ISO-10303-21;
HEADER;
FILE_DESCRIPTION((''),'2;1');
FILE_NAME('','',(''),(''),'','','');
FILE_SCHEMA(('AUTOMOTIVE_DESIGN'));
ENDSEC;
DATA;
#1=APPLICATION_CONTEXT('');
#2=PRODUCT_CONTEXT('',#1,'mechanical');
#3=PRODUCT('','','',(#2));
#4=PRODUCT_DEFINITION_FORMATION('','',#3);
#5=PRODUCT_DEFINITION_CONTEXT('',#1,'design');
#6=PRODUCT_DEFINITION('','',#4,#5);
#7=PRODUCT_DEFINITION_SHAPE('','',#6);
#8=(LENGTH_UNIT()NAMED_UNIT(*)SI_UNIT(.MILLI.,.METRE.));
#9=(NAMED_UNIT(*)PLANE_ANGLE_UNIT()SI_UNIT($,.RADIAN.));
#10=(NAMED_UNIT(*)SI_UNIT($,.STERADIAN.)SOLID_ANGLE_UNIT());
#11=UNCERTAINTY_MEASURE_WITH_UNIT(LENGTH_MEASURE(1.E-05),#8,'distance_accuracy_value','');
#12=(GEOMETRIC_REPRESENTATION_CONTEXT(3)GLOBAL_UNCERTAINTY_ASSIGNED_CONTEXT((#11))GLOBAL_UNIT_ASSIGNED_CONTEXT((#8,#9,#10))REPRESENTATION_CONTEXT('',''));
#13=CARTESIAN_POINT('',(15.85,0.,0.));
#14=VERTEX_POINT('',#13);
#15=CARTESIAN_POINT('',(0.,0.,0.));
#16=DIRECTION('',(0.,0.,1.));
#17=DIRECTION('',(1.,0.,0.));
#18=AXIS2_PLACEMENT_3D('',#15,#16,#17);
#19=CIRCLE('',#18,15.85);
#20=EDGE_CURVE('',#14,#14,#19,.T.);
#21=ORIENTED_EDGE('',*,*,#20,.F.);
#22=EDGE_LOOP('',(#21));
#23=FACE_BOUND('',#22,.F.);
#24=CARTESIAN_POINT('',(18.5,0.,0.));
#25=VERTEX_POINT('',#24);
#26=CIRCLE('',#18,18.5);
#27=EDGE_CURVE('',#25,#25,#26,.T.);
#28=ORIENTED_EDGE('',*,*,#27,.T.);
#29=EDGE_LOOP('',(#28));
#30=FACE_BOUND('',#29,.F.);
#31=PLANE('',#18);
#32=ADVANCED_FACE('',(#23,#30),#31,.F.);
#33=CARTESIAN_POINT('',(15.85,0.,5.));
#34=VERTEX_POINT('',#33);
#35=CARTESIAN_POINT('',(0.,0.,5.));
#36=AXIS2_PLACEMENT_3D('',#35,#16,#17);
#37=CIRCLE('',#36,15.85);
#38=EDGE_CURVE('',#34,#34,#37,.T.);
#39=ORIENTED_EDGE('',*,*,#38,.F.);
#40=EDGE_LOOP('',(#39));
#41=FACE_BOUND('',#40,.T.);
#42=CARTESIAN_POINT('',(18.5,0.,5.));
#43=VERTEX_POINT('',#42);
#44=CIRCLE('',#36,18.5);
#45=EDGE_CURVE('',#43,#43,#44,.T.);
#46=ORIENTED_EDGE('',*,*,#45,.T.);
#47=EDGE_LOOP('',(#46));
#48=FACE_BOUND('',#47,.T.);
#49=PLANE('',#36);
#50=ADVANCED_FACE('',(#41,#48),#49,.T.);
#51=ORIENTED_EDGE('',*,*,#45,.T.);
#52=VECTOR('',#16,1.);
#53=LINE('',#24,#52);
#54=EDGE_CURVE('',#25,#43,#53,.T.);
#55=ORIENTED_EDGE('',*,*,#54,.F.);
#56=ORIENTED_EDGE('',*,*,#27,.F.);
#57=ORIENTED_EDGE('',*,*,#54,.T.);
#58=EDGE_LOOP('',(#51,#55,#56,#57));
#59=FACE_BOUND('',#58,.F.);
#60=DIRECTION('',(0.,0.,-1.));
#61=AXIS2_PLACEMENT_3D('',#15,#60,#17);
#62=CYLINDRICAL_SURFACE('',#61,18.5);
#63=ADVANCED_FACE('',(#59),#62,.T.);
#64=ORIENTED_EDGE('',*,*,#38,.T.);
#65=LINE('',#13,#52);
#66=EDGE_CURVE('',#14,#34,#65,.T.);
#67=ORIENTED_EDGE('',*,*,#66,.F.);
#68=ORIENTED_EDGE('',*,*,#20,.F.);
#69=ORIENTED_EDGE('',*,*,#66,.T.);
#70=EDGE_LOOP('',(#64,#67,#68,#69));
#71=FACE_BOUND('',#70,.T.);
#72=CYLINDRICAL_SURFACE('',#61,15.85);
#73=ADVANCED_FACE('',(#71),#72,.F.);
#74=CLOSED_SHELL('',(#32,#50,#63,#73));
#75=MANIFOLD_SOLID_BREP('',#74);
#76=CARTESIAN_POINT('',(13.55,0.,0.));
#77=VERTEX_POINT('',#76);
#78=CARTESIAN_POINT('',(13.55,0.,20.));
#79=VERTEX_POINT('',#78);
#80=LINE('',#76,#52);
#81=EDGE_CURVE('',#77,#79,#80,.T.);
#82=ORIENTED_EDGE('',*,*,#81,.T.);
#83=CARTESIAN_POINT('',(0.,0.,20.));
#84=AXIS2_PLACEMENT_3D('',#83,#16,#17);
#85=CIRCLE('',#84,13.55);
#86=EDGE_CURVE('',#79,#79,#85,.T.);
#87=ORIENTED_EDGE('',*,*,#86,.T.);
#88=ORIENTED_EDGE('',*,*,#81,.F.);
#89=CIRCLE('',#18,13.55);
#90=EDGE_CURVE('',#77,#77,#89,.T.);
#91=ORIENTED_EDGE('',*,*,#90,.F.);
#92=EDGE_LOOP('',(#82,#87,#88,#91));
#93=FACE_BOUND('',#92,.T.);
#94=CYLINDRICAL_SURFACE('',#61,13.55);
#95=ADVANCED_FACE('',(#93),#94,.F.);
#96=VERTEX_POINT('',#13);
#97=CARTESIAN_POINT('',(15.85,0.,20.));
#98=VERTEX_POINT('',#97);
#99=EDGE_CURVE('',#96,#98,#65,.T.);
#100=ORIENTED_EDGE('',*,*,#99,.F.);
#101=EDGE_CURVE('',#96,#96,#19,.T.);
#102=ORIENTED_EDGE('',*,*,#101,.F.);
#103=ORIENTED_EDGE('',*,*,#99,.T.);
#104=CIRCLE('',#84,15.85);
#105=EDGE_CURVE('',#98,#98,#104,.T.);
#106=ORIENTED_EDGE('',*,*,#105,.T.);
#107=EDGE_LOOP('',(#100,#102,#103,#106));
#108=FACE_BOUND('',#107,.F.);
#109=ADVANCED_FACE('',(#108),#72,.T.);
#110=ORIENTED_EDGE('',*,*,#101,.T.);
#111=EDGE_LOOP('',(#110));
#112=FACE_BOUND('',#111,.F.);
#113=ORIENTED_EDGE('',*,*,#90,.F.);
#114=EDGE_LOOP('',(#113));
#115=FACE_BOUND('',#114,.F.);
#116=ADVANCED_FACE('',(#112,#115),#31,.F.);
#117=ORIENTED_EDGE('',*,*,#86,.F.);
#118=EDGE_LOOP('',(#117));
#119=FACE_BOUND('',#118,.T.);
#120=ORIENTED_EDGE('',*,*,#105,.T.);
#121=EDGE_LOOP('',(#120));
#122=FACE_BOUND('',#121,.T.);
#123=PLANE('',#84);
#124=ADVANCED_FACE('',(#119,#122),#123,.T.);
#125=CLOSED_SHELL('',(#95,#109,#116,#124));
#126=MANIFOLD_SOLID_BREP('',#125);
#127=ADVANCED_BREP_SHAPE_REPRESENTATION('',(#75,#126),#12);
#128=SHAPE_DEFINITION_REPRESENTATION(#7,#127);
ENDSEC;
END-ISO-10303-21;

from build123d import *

# Parameters (mm, degrees)
F0_R     = 15.85
F0_R_2   = 13.55
F1_DEPTH = 20
F0_R_3   = 18.5
F2_DEPTH = 5


with BuildPart() as f1:
    # F0 (on Top) → F1 (new body)
    with BuildSketch(Plane.XY):
        Circle(F0_R)
        Circle(F0_R_2, mode=Mode.SUBTRACT)
    extrude(amount=F1_DEPTH)


with BuildPart() as f2:
    # F0 (on Top) → F2 (new body)
    with BuildSketch(Plane.XY):
        Circle(F0_R_3)
        Circle(F0_R, mode=Mode.SUBTRACT)
    extrude(amount=F2_DEPTH)


solid = Compound([f1.part, f2.part])
